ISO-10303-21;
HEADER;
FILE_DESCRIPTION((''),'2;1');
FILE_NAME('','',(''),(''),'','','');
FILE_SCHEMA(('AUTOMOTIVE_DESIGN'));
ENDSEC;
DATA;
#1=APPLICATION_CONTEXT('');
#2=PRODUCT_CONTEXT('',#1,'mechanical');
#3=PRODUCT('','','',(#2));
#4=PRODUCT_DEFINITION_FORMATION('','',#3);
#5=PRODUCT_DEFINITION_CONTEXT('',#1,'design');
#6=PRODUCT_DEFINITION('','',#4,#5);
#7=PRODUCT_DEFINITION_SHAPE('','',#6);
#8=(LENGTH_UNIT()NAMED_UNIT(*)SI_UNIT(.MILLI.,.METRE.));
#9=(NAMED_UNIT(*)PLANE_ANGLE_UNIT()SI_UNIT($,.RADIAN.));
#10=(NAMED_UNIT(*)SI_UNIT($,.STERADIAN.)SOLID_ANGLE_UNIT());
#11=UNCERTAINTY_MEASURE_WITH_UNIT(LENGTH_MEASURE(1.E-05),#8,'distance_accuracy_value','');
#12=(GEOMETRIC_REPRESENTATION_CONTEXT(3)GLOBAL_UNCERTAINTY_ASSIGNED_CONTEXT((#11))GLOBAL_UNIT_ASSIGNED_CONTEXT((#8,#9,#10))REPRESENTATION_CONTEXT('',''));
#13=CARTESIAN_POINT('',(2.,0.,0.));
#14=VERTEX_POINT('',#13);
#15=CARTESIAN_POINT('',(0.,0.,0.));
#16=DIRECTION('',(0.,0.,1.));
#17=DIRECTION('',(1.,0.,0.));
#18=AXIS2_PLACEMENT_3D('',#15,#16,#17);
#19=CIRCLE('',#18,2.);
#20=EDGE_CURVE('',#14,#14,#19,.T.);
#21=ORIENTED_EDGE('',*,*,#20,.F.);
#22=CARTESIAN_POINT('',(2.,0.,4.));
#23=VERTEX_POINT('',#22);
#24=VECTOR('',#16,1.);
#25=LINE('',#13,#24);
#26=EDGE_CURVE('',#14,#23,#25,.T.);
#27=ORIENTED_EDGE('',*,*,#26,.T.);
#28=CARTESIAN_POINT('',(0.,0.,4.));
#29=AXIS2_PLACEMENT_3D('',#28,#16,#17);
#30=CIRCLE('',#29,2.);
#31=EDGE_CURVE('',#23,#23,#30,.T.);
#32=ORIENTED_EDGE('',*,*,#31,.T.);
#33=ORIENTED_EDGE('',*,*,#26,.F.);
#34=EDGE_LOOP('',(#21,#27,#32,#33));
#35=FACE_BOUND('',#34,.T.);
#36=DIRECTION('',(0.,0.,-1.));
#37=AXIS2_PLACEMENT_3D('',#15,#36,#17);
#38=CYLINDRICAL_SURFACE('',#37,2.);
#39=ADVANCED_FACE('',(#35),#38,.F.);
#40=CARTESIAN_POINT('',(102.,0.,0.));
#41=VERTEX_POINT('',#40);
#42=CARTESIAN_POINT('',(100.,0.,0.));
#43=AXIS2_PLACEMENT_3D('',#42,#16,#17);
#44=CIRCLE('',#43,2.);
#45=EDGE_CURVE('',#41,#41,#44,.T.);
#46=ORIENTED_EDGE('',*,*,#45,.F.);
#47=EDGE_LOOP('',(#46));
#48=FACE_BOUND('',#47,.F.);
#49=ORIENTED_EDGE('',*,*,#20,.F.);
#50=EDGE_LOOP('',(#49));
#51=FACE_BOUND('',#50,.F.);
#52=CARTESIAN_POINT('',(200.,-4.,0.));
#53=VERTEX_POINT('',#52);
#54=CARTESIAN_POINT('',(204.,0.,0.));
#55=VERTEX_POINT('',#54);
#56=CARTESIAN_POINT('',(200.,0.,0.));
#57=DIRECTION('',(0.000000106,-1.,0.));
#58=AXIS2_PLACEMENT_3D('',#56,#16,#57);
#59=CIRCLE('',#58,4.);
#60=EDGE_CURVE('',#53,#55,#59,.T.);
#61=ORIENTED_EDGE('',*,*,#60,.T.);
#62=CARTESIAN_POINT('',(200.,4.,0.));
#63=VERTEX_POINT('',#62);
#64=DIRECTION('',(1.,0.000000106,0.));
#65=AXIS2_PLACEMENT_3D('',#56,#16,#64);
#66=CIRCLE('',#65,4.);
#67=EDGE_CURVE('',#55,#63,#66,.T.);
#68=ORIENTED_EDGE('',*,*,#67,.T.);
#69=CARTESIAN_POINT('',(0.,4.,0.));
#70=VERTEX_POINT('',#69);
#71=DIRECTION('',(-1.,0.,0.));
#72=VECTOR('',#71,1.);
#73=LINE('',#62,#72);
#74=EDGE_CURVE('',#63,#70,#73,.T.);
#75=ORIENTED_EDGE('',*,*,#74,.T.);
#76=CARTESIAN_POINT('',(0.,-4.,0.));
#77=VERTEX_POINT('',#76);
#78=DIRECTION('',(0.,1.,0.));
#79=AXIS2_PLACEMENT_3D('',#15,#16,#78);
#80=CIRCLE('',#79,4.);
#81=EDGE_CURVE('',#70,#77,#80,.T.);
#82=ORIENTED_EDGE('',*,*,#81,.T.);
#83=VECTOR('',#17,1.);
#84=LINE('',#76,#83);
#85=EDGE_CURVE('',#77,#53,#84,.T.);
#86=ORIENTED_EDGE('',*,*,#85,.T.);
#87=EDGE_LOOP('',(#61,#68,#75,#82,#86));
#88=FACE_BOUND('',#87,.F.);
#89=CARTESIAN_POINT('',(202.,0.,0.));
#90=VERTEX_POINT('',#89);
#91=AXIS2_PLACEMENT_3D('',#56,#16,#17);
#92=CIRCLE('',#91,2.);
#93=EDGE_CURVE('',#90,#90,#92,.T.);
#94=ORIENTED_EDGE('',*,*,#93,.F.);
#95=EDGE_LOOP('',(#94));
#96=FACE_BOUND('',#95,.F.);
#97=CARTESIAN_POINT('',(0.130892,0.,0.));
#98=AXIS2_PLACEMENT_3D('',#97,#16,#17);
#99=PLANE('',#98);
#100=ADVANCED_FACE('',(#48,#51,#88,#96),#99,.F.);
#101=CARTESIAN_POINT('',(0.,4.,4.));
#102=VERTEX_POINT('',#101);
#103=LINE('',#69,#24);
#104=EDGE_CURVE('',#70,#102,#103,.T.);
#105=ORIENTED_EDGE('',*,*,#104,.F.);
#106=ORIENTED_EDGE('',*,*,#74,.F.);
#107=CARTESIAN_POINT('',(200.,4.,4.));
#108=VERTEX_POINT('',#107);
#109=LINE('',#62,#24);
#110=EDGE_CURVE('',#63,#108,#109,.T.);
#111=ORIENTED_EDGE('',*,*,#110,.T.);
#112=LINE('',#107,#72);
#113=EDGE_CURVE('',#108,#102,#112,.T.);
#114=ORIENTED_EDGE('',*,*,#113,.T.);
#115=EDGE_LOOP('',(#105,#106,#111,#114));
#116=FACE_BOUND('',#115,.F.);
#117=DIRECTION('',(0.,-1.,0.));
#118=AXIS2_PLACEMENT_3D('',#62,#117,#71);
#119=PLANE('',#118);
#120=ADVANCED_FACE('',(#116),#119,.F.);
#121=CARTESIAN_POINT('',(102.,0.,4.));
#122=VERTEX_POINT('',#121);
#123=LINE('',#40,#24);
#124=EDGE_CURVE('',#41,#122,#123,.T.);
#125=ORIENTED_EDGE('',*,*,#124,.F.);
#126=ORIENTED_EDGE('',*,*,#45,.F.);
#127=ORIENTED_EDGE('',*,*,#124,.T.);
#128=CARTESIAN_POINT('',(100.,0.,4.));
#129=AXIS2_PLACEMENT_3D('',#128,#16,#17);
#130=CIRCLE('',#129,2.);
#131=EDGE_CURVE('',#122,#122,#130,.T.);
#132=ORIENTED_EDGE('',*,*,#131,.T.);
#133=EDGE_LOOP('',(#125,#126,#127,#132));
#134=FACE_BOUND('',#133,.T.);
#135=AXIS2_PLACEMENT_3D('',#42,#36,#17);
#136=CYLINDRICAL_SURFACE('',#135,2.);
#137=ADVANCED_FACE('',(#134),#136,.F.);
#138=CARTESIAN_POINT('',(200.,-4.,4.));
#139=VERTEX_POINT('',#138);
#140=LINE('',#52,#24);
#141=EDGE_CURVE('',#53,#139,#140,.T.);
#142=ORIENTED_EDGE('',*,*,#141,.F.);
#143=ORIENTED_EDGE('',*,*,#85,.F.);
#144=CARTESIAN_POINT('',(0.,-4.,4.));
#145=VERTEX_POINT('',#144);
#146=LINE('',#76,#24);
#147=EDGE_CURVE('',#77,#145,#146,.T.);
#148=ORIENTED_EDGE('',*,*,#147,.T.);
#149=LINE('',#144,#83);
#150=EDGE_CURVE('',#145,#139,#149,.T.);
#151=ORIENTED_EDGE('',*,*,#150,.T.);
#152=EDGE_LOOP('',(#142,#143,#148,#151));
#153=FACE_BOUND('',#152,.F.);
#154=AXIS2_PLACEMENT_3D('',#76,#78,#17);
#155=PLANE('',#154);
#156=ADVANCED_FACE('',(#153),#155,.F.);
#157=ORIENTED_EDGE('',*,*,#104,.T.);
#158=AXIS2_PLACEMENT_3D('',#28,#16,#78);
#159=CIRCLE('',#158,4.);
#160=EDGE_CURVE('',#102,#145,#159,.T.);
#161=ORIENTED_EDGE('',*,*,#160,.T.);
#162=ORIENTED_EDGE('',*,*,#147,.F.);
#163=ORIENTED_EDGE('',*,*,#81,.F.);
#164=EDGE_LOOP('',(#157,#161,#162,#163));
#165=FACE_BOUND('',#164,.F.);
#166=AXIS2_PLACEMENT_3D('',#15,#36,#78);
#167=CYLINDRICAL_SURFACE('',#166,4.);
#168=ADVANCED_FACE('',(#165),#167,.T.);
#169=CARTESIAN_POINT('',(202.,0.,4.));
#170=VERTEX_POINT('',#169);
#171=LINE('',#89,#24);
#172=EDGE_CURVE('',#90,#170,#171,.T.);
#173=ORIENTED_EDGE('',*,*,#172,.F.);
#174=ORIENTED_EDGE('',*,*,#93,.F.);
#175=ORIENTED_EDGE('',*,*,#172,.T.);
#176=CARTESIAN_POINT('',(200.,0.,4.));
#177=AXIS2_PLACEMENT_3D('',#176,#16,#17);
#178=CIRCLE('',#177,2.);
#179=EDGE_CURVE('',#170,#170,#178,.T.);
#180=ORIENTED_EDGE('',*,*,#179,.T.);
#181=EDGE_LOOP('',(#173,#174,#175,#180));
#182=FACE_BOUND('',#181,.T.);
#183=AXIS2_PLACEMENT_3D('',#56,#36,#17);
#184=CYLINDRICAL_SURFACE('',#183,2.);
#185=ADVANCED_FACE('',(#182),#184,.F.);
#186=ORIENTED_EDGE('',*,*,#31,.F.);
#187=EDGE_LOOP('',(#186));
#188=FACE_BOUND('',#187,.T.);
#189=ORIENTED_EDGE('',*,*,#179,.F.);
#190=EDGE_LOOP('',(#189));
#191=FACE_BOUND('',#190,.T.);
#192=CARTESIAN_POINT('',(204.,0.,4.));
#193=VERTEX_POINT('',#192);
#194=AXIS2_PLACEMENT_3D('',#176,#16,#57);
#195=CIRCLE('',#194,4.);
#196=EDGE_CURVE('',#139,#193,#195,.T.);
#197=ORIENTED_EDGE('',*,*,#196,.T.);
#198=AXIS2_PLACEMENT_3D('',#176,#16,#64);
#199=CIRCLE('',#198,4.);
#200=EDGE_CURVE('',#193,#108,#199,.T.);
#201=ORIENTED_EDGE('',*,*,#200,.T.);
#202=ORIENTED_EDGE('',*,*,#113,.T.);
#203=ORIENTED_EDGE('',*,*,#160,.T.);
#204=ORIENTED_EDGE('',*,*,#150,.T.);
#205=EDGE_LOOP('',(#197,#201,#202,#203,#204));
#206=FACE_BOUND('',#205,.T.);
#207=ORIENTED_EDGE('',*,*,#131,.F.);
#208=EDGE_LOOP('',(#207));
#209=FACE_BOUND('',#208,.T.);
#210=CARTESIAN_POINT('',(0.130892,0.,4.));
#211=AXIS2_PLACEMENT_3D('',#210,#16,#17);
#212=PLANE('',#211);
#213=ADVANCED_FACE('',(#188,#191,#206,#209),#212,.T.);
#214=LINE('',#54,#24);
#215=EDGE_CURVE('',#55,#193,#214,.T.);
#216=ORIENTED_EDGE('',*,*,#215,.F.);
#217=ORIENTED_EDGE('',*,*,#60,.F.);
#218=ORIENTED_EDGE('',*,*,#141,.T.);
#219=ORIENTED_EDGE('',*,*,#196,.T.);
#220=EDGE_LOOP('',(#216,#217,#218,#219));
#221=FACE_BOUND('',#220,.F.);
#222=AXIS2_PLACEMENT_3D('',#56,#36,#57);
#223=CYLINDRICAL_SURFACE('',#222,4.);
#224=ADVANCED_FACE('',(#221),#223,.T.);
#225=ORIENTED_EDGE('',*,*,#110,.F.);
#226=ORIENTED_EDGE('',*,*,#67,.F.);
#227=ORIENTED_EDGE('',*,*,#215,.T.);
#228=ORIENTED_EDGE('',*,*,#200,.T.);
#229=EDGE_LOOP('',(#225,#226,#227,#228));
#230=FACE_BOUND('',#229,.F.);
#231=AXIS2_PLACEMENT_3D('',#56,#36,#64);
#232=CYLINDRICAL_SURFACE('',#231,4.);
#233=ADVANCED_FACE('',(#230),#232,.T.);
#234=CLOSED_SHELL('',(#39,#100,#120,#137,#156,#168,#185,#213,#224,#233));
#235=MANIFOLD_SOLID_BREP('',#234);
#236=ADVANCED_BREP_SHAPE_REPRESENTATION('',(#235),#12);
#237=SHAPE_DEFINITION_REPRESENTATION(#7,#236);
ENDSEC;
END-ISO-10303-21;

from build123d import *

# Parameters (mm, degrees)
F0_R     = 2
F1_DEPTH = 4


with BuildPart() as f1:
    # F0 (on Top) → F1 (new body)
    with BuildSketch(Plane.XY):
        with BuildLine():
            ThreePointArc((0, -4), (2.828427, -2.828427), (4, 0))
            ThreePointArc((4, 0), (2.828427, 2.828427), (0, 4))
            ThreePointArc((0, 4), (-4, 0), (0, -4))
        make_face()
        Circle(F0_R, mode=Mode.SUBTRACT)
        with BuildLine():
            ThreePointArc((0, 4), (2.828427, 2.828427), (4, 0))
            ThreePointArc((4, 0), (2.828427, -2.828427), (0, -4))
            Line((0, -4), (200, -4))
            ThreePointArc((200, -4), (196, 0), (200, 4))
            Line((200, 4), (0, 4))
        make_face()
        with Locations((100, 0)):
            Circle(F0_R, mode=Mode.SUBTRACT)
        with BuildLine():
            ThreePointArc((204, 0), (202.828427, 2.828427), (200, 4))
            ThreePointArc((200, 4), (196, 0), (200, -4))
            ThreePointArc((200, -4), (202.828427, -2.828427), (204, 0))
        make_face()
        with Locations((200, 0)):
            Circle(F0_R, mode=Mode.SUBTRACT)
    extrude(amount=F1_DEPTH)


solid = f1.part
